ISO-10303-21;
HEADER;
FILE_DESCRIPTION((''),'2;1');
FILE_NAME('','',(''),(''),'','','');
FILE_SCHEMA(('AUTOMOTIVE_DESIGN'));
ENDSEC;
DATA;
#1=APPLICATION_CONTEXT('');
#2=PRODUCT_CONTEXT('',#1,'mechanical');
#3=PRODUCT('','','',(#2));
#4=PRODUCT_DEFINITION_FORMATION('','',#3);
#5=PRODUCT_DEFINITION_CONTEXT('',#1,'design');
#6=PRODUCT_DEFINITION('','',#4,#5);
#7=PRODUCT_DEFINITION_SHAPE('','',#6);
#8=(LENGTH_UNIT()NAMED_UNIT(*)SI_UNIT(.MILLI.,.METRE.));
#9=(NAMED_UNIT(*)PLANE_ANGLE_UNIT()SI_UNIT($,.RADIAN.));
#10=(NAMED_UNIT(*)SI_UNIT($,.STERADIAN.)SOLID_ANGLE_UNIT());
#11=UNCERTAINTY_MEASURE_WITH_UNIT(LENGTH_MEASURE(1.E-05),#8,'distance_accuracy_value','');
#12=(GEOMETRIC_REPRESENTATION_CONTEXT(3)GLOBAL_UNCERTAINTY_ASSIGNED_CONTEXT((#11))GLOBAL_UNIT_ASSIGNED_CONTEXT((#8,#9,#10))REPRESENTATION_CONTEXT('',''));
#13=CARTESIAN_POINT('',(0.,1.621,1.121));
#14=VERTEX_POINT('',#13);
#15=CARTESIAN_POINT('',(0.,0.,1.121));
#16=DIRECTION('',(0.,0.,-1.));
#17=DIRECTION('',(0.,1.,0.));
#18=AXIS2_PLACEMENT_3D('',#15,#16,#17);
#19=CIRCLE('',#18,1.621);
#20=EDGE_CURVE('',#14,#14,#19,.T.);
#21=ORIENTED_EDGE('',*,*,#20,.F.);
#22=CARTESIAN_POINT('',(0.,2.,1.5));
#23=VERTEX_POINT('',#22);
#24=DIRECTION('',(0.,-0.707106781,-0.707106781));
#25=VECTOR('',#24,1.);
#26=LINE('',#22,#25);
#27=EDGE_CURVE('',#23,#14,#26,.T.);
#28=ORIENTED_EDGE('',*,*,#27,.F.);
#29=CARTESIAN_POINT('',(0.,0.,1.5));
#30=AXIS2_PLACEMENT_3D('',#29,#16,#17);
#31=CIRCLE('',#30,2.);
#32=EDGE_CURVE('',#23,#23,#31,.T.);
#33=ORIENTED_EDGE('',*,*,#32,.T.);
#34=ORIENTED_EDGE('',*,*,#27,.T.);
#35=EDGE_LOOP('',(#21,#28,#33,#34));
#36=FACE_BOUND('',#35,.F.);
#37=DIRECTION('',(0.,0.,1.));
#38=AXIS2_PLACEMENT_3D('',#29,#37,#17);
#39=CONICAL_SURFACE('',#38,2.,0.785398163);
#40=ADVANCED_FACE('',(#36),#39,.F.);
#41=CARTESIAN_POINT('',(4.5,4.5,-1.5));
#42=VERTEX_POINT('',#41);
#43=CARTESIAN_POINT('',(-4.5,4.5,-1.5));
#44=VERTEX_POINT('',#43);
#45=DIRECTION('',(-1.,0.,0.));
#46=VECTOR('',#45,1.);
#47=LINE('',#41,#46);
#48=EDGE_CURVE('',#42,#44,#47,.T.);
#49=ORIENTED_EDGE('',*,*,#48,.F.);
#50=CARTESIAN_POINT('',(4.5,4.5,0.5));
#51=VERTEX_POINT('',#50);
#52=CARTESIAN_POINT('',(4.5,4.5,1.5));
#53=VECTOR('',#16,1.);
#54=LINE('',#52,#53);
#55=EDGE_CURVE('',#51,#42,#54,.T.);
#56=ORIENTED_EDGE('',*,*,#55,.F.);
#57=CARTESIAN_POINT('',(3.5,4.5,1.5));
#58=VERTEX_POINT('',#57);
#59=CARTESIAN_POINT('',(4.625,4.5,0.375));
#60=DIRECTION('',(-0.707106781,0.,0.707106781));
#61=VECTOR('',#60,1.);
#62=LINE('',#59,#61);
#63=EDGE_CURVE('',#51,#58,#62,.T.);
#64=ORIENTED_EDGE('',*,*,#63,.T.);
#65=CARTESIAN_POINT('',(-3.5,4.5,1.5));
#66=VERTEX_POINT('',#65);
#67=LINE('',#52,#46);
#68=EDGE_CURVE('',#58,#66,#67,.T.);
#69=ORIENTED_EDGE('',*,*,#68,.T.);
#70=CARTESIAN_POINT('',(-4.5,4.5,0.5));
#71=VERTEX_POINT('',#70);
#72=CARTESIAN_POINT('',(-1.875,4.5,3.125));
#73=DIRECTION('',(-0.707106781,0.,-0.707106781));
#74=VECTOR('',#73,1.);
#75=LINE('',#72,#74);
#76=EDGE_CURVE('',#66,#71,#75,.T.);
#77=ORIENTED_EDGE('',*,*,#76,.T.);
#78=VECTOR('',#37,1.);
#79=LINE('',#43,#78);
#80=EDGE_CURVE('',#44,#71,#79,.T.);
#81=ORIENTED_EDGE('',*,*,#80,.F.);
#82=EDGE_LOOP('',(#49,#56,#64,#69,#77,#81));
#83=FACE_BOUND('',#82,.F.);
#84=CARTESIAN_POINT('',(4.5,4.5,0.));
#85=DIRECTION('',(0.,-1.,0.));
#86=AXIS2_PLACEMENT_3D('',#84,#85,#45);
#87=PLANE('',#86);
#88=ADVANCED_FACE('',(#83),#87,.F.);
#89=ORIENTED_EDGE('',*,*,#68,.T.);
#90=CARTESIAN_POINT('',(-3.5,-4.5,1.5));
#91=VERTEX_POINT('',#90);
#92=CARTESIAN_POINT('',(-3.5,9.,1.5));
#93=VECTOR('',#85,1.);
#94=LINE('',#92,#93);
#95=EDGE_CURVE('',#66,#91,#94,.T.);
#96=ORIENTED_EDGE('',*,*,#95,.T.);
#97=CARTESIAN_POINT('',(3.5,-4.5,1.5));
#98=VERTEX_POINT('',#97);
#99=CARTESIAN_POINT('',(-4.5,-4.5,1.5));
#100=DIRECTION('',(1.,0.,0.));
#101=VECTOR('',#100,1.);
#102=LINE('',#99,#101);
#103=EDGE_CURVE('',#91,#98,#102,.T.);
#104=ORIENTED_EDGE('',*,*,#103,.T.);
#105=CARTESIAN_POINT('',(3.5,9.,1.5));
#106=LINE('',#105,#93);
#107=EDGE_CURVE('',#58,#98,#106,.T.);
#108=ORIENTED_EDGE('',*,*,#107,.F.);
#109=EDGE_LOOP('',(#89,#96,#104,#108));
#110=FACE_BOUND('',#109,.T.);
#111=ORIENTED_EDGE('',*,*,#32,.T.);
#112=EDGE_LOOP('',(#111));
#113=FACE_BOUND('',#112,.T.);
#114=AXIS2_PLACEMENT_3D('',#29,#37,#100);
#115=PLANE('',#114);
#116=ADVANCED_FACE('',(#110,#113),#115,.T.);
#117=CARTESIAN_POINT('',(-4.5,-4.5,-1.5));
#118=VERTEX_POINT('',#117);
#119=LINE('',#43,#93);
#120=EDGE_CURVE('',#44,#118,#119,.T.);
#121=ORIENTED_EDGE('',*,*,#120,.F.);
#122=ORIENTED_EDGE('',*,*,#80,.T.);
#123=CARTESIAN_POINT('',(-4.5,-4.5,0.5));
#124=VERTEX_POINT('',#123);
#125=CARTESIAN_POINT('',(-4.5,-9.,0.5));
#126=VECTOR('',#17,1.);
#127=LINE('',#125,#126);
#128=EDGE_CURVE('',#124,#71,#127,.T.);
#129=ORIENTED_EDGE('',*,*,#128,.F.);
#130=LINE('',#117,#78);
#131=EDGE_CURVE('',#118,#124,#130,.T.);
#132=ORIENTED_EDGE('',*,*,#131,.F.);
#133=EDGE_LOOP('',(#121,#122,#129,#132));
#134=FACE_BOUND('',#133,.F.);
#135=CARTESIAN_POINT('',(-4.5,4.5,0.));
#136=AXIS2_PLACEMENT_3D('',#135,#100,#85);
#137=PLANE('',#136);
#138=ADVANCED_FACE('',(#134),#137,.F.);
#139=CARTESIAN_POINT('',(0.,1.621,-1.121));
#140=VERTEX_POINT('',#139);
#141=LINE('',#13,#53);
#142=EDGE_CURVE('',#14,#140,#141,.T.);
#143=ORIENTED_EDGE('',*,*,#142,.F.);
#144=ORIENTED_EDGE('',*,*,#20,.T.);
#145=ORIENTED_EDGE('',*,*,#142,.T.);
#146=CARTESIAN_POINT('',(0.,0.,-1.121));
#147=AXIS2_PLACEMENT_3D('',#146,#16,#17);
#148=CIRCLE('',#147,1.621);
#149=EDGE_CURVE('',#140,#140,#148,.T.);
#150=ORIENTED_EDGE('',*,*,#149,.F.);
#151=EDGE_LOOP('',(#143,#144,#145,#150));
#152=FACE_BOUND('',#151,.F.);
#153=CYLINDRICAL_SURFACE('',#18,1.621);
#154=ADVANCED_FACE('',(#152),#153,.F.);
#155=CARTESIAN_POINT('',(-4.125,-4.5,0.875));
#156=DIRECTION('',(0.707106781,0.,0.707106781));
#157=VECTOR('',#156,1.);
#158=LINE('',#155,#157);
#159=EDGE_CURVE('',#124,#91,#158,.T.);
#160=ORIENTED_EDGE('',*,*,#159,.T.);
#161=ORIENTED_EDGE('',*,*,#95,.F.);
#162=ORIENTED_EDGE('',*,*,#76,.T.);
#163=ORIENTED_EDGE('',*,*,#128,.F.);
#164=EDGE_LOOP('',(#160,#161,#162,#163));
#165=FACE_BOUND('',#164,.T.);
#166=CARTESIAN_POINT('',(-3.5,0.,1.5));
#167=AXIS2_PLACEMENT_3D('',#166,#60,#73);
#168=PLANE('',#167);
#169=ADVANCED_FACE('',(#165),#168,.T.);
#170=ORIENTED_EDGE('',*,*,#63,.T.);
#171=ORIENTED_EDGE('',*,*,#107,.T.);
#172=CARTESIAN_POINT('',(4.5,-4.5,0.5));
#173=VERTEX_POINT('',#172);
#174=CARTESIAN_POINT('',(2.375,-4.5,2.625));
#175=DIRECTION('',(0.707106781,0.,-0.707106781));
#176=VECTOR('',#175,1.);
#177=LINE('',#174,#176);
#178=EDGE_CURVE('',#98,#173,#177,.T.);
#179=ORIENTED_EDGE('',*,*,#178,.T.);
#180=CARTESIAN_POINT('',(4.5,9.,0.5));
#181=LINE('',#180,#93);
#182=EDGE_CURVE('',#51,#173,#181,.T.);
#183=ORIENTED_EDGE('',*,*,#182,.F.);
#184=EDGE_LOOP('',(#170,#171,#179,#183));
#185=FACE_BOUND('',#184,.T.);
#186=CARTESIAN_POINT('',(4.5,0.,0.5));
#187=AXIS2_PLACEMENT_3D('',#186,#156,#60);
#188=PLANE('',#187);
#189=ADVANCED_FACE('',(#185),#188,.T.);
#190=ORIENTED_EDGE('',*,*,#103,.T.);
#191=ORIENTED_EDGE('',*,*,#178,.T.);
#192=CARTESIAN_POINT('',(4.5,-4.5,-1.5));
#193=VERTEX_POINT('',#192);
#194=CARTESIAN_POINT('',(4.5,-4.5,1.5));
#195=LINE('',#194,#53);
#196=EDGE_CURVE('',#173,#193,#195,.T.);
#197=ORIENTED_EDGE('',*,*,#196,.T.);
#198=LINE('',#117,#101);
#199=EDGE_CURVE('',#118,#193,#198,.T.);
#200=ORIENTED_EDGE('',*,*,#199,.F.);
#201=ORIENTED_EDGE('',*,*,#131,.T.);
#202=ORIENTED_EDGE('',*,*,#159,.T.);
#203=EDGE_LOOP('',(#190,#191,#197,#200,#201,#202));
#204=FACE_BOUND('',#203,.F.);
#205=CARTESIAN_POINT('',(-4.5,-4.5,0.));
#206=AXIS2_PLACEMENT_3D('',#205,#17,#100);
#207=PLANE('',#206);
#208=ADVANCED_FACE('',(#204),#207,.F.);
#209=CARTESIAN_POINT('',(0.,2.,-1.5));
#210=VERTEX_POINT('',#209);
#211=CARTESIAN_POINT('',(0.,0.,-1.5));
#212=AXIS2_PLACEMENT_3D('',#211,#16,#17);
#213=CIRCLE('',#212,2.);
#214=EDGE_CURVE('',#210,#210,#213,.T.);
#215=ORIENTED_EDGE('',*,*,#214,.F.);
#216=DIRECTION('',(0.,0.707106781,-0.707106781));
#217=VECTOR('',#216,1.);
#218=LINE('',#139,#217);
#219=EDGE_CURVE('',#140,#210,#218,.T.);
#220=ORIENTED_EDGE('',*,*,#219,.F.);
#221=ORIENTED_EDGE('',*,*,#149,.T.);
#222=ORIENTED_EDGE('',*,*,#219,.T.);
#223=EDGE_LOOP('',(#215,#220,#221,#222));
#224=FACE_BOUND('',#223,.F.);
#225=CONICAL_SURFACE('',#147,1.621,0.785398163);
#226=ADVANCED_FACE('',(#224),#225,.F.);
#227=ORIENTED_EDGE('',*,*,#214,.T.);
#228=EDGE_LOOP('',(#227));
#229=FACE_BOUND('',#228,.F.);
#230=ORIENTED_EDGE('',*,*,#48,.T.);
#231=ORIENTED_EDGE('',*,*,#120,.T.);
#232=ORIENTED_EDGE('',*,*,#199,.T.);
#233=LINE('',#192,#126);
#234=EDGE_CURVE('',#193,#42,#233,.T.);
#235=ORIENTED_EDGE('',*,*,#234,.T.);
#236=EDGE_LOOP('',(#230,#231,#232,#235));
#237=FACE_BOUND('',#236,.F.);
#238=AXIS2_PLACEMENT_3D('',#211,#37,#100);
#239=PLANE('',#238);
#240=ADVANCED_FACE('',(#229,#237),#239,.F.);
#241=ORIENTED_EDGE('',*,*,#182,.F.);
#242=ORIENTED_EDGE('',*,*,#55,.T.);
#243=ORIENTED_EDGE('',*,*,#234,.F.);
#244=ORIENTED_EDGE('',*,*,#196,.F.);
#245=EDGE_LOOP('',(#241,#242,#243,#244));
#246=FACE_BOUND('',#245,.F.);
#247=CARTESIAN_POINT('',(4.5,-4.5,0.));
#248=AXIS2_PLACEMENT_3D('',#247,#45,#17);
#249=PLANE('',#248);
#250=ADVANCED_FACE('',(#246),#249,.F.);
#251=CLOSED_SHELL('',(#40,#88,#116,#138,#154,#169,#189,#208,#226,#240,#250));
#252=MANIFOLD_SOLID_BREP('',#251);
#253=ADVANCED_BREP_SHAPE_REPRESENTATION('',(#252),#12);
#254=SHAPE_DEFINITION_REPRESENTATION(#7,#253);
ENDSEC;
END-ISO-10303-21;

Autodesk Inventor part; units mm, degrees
ref_plane "YZ Plane" through (0, 0, 0) normal (1, 0, 0) x (0, 1, 0)
ref_plane "XZ Plane" through (0, 0, 0) normal (0, 1, 0) x (-1, 0, 0)
ref_plane "XY Plane" through (0, 0, 0) normal (0, 0, 1) x (1, 0, 0)
sketch "Sketch_1" plane through (0, 0, 0) normal (0, 0, 1) x (1, 0, 0)
  line L0 (-4.5, 4.5) -> (-4.5, -4.5)
  line L1 (-4.5, -4.5) -> (4.5, -4.5)
  line L2 (4.5, -4.5) -> (4.5, 4.5)
  line L3 (4.5, 4.5) -> (-4.5, 4.5)
extrude "Extrusion1" add sketch "Sketch_1" along normal mid plane 3
sketch "Sketch_2" plane through (0, 0, 0) normal (1, 0, 0) x (0, 1, 0)
  line L0 (0, -1.5) -> (0, 1.5)
  line L1 (0, 1.5) -> (2, 1.5)
  line L2 (2, 1.5) -> (1.621, 1.121)
  line L3 (1.621, 1.121) -> (1.621, -1.121)
  line L4 (1.621, -1.121) -> (2, -1.5)
  line L5 (2, -1.5) -> (0, -1.5)
  line L6 (0, -1.5) -> (0, 1.5)
revolve "Revolution1" cut sketch "Sketch_2" angle 360 about axis through (0, 0, -1.5) along (0, 0, -1)
thread "Thread1" size "M4x0.7" class "6H" standard "ISO Metric profile" full length
sketch "Sketch_3" plane through (0, 0, 0) normal (0, 1, 0) x (-1, 0, 0)
  line L0 (4.5, 0.5) -> (4.5, 2.5)
  line L1 (4.5, 2.5) -> (-4.5, 2.5)
  line L2 (-4.5, 2.5) -> (-4.5, 0.5)
  line L3 (-4.5, 0.5) -> (-3.5, 1.5)
  line L4 (-3.5, 1.5) -> (3.5, 1.5)
  line L5 (3.5, 1.5) -> (4.5, 0.5)
extrude "Extrusion2" cut sketch "Sketch_3" along normal mid plane 18
properties part number "14159_m"
